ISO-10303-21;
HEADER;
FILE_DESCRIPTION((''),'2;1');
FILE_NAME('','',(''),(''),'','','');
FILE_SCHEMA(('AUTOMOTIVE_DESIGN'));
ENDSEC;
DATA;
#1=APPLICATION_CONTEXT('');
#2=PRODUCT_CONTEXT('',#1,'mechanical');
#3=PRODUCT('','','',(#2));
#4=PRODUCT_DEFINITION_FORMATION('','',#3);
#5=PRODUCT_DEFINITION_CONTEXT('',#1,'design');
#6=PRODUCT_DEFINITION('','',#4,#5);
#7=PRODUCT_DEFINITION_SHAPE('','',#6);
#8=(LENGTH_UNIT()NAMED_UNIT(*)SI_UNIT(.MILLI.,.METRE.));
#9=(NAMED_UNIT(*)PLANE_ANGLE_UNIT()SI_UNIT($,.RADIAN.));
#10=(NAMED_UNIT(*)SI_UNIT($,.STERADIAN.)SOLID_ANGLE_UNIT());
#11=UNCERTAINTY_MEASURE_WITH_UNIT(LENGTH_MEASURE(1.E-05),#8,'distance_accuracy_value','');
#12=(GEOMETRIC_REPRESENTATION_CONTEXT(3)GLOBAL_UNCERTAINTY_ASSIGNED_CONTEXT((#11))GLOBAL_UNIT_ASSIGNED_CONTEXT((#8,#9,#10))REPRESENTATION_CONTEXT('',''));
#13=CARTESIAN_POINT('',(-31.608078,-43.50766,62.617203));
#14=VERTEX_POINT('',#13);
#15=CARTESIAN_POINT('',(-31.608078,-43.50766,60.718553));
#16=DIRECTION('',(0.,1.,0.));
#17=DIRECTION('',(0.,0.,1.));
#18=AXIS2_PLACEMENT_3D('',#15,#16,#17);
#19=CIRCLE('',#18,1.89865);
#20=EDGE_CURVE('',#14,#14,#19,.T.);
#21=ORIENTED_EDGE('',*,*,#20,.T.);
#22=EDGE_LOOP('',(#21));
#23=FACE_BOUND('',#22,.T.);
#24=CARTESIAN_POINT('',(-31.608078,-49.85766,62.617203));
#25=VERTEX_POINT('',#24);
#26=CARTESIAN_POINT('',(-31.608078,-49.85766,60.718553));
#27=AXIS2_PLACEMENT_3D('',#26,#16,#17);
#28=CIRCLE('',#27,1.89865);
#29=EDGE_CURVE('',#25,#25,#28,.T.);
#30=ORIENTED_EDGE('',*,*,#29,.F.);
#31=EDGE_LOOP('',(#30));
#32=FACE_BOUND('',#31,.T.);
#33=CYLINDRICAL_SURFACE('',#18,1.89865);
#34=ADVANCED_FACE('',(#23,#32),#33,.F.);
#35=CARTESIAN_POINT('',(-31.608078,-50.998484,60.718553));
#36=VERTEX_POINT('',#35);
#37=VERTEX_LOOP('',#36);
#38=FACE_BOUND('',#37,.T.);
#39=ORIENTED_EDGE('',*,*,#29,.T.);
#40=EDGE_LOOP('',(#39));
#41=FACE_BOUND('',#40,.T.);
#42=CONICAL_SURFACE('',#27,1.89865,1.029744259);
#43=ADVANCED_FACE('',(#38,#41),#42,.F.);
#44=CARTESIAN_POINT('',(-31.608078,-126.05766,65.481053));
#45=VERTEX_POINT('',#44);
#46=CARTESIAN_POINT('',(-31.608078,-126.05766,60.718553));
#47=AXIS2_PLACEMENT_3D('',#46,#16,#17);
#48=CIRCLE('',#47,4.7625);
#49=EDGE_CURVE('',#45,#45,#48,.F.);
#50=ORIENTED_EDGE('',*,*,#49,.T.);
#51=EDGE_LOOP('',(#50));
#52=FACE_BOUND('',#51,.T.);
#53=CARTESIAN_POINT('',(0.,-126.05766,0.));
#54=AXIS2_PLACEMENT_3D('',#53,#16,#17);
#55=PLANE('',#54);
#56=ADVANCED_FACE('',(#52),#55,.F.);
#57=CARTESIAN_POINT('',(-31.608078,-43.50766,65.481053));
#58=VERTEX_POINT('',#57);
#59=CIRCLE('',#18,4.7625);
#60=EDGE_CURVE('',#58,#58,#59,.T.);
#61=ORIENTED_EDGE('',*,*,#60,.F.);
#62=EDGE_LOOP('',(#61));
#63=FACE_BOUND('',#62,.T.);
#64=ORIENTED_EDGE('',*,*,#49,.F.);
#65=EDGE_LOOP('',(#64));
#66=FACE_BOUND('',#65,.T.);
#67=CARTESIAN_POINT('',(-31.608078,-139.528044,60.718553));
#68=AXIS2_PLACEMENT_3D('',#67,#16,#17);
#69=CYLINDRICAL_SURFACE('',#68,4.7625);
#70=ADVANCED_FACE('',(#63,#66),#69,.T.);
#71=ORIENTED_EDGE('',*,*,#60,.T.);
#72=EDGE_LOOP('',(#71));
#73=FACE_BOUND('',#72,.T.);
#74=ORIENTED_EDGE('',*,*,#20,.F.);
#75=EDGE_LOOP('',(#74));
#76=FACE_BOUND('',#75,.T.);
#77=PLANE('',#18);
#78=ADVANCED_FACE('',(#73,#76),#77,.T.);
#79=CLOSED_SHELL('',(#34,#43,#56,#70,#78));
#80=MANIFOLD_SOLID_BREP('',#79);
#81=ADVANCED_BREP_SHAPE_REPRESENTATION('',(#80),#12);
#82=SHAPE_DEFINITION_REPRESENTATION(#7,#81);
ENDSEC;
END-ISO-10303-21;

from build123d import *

# Parameters (mm, degrees)
SKETCH3_R                      = 4.7625
BOSS_EXTRUDE1_DEPTH            = 82.55
TAP_DRILL_FOR_10_24_TAP1_D     = 3.7973
TAP_DRILL_FOR_10_24_TAP1_DEPTH = 6.35
TAP_DRILL_FOR_10_24_TAP1_TIP   = 1.140824014


with BuildPart() as part:
    # Sketch3 → Boss-Extrude1 (new body)
    with BuildSketch(Plane(origin=(0, -43.50766, 0), x_dir=(1, 0, 0), z_dir=(0, 1, 0))):
        with Locations((-31.608077822, -60.718552564)):
            Circle(SKETCH3_R)
    extrude(amount=-BOSS_EXTRUDE1_DEPTH)

    # Tap Drill for #10-24 Tap1
    with Locations(Plane(origin=(0, -43.50766, 0), x_dir=(1, 0, 0), z_dir=(0, 1, 0))):
        with Locations((-31.608077822, -60.718552564)):
            Hole(TAP_DRILL_FOR_10_24_TAP1_D / 2, depth=TAP_DRILL_FOR_10_24_TAP1_DEPTH)
            with Locations((0, 0, -(TAP_DRILL_FOR_10_24_TAP1_DEPTH + TAP_DRILL_FOR_10_24_TAP1_TIP / 2))):  # 118° drill point
                Cone(0, TAP_DRILL_FOR_10_24_TAP1_D / 2, TAP_DRILL_FOR_10_24_TAP1_TIP, mode=Mode.SUBTRACT)


solid = part.part
